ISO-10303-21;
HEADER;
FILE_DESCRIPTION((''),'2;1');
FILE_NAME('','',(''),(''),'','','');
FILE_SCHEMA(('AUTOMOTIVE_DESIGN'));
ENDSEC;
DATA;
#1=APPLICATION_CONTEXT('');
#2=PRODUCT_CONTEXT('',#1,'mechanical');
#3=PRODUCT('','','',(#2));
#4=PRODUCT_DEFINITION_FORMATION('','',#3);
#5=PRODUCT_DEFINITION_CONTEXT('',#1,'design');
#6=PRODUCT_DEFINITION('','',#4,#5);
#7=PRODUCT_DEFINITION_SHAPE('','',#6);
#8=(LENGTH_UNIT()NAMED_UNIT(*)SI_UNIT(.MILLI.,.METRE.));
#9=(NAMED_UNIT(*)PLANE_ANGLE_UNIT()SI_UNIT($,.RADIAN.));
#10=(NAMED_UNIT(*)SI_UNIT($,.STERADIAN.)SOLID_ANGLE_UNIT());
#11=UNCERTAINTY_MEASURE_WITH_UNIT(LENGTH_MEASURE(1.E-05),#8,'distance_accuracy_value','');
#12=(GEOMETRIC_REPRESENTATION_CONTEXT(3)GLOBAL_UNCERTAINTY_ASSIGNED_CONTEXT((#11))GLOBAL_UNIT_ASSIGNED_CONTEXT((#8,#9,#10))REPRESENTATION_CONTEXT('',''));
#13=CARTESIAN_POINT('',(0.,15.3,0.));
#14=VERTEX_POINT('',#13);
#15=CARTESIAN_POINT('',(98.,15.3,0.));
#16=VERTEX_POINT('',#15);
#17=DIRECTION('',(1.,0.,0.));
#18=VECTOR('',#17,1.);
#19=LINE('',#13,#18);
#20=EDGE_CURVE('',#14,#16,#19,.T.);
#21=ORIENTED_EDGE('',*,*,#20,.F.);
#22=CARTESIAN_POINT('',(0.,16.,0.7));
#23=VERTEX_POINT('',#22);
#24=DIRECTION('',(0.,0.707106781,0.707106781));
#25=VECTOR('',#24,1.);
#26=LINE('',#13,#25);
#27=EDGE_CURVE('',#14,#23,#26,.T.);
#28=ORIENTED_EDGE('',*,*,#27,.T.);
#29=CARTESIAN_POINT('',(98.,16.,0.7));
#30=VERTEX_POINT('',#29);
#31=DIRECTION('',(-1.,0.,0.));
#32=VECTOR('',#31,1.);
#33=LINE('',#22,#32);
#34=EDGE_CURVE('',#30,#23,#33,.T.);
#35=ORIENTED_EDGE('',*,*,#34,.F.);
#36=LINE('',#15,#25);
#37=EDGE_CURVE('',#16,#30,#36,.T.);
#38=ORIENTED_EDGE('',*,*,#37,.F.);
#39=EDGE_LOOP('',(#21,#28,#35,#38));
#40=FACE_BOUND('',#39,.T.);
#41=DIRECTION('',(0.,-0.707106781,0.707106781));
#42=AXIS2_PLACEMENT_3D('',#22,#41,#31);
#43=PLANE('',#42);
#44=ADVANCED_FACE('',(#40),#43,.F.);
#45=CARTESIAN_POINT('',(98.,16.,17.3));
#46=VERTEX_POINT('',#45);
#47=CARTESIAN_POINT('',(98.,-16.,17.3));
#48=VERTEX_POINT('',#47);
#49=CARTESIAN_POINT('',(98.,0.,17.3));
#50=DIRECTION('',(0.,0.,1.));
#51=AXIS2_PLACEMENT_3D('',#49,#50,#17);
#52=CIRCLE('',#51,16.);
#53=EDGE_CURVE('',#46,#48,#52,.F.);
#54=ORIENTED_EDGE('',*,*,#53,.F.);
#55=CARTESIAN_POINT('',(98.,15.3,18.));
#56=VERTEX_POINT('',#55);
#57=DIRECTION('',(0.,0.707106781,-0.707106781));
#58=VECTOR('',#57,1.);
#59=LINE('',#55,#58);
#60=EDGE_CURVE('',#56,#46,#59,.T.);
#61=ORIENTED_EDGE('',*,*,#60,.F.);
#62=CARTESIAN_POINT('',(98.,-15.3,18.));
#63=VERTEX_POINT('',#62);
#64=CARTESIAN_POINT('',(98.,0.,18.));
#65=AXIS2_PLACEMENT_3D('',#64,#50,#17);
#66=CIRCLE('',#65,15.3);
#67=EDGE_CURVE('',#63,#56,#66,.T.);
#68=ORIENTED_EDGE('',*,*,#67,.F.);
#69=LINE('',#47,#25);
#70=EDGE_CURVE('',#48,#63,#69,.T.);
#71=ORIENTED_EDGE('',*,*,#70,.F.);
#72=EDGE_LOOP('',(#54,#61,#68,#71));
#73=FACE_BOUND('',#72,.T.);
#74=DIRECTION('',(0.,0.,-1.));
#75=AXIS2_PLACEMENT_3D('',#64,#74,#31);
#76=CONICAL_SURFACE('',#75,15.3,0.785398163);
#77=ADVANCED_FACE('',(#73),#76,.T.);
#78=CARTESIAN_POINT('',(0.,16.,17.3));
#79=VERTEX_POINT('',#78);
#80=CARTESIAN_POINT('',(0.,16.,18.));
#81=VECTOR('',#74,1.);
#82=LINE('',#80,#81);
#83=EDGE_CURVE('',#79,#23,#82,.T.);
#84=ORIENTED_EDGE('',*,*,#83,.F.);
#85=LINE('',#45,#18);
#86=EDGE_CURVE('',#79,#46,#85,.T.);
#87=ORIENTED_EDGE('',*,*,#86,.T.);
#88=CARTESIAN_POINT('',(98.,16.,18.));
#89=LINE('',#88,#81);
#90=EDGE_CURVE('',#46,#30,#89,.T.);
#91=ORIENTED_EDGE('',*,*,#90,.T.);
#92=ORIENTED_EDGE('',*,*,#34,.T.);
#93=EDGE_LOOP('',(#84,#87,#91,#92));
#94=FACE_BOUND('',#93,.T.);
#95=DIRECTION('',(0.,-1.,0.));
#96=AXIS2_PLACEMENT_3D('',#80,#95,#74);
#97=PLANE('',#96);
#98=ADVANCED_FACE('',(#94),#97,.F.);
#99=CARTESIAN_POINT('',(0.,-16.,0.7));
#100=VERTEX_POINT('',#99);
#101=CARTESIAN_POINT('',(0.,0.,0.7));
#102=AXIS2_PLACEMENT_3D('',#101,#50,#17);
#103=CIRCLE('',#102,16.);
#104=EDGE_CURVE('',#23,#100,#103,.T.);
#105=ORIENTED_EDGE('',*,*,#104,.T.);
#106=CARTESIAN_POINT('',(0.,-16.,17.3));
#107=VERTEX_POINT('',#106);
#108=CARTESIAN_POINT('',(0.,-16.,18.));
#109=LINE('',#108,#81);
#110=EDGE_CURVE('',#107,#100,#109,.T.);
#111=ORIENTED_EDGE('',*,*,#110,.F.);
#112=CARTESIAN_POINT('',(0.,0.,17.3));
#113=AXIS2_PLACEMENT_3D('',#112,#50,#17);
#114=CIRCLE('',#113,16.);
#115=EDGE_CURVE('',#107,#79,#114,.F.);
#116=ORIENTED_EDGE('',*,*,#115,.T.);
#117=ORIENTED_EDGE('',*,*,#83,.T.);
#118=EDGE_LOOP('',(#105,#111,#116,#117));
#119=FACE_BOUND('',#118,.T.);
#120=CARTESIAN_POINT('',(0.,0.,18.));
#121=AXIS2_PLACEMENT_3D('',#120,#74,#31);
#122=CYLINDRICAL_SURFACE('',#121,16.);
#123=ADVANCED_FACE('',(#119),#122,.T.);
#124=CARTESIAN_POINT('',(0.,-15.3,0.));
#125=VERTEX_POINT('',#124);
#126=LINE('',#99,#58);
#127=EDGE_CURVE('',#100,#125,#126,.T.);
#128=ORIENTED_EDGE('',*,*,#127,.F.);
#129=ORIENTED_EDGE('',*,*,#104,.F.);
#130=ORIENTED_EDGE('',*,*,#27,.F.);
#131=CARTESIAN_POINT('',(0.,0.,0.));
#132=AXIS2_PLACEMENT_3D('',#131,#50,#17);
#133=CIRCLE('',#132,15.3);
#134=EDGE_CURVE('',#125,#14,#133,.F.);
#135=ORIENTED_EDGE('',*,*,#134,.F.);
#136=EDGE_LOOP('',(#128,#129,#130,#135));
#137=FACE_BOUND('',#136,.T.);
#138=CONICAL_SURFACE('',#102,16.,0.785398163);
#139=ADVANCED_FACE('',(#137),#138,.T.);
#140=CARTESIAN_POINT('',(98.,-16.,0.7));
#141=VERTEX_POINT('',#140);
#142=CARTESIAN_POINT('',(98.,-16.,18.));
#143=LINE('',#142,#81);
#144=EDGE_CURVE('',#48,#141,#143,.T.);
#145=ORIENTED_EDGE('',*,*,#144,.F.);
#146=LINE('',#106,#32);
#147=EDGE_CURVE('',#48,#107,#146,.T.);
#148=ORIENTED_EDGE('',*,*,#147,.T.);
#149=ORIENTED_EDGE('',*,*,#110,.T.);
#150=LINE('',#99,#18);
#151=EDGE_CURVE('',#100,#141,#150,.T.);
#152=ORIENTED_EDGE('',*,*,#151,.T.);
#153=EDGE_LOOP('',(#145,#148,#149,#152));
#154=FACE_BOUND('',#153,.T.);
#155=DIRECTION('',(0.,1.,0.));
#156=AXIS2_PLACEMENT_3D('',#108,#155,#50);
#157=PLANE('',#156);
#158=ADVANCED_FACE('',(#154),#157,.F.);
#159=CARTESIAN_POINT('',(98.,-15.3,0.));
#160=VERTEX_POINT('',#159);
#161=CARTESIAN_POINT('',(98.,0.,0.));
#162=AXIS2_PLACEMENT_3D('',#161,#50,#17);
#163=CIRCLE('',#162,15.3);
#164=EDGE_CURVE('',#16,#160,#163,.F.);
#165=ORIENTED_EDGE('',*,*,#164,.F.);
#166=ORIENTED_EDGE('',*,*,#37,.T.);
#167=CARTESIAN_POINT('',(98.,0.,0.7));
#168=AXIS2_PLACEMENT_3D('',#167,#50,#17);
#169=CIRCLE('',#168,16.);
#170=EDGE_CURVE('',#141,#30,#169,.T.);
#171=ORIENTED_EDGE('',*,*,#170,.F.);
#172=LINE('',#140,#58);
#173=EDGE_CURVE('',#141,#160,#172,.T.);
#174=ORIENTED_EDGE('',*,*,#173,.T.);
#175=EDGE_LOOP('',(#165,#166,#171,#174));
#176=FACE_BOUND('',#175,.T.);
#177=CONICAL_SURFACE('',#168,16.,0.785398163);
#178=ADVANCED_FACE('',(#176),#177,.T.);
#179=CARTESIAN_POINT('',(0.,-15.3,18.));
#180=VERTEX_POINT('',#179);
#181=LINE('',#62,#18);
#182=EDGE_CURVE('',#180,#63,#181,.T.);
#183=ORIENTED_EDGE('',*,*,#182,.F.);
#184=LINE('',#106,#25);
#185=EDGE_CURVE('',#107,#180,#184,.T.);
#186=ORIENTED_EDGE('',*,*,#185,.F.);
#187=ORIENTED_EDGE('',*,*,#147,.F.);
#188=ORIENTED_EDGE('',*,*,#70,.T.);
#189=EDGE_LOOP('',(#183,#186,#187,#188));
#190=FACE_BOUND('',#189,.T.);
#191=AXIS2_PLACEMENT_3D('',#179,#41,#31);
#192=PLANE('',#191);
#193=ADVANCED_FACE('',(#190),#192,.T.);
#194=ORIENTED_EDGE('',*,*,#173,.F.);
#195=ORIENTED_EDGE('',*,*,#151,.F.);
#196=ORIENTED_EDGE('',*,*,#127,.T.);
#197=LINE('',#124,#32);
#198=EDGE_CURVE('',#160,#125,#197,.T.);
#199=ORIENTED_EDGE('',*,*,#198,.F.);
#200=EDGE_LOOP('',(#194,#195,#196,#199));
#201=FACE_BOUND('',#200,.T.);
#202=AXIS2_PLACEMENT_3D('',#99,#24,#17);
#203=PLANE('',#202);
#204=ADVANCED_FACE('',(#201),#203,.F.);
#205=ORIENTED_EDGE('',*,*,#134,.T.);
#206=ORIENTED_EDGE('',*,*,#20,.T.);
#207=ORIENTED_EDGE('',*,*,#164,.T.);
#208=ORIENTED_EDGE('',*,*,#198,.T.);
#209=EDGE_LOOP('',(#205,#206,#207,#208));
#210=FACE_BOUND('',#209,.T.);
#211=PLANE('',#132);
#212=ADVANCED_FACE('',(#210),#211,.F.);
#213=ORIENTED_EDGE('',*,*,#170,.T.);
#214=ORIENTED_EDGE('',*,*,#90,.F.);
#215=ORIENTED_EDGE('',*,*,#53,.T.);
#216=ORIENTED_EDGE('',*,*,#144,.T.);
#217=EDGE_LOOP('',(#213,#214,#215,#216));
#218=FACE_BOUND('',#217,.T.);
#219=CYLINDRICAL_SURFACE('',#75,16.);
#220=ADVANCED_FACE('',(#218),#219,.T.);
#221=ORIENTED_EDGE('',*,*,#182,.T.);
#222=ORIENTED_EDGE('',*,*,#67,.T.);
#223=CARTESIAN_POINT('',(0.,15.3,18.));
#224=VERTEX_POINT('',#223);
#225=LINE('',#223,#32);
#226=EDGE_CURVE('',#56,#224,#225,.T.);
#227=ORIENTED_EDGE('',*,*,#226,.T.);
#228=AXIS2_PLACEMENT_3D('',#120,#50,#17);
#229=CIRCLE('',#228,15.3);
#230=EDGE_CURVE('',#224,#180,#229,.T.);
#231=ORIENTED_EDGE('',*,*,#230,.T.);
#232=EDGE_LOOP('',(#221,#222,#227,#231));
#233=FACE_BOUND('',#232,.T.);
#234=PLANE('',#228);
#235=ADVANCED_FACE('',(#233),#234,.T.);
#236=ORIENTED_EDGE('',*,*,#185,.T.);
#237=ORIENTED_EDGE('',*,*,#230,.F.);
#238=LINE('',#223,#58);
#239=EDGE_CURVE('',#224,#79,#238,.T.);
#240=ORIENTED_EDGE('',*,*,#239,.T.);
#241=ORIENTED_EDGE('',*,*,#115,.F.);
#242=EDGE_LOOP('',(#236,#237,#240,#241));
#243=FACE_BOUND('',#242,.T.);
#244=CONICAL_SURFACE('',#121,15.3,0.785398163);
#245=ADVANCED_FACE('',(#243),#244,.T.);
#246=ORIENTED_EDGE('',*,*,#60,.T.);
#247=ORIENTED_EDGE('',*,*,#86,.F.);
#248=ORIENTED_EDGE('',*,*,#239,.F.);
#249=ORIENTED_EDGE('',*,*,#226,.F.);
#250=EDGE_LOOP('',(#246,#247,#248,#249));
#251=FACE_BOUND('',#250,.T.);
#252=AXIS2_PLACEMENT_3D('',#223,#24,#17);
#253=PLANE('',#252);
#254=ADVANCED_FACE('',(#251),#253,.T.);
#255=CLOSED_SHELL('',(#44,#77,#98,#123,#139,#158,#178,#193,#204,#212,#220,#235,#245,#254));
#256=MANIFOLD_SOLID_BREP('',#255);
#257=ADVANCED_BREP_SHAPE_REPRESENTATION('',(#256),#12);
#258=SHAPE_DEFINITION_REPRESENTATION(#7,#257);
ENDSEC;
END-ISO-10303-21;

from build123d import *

# Parameters (mm, degrees)
ESTRUSIONE_ESTRUSIONE1_DEPTH = 18
SMUSSO1_SIZE                 = 0.7


with BuildPart() as part:
    # Schizzo1 → Estrusione-Estrusione1 (new body)
    with BuildSketch(Plane.XY):
        with BuildLine():
            Line((0, 16), (98, 16))
            ThreePointArc((98, 16), (114, 0), (98, -16))
            Line((98, -16), (0, -16))
            ThreePointArc((0, -16), (-16, 0), (0, 16))
        make_face()
    extrude(amount=ESTRUSIONE_ESTRUSIONE1_DEPTH)

    # Smusso1
    smusso1_edges = [part.edges().sort_by_distance(p)[0] for p in [
        (114, 0, 18),
        (49, 16, 18),
        (-16, 0, 18),
        (49, 16, 0),
        (114, 0, 0),
        (49, -16, 0),
        (-16, 0, 0),
        (49, -16, 18),
    ]]
    chamfer(smusso1_edges, length=SMUSSO1_SIZE)


solid = part.part
